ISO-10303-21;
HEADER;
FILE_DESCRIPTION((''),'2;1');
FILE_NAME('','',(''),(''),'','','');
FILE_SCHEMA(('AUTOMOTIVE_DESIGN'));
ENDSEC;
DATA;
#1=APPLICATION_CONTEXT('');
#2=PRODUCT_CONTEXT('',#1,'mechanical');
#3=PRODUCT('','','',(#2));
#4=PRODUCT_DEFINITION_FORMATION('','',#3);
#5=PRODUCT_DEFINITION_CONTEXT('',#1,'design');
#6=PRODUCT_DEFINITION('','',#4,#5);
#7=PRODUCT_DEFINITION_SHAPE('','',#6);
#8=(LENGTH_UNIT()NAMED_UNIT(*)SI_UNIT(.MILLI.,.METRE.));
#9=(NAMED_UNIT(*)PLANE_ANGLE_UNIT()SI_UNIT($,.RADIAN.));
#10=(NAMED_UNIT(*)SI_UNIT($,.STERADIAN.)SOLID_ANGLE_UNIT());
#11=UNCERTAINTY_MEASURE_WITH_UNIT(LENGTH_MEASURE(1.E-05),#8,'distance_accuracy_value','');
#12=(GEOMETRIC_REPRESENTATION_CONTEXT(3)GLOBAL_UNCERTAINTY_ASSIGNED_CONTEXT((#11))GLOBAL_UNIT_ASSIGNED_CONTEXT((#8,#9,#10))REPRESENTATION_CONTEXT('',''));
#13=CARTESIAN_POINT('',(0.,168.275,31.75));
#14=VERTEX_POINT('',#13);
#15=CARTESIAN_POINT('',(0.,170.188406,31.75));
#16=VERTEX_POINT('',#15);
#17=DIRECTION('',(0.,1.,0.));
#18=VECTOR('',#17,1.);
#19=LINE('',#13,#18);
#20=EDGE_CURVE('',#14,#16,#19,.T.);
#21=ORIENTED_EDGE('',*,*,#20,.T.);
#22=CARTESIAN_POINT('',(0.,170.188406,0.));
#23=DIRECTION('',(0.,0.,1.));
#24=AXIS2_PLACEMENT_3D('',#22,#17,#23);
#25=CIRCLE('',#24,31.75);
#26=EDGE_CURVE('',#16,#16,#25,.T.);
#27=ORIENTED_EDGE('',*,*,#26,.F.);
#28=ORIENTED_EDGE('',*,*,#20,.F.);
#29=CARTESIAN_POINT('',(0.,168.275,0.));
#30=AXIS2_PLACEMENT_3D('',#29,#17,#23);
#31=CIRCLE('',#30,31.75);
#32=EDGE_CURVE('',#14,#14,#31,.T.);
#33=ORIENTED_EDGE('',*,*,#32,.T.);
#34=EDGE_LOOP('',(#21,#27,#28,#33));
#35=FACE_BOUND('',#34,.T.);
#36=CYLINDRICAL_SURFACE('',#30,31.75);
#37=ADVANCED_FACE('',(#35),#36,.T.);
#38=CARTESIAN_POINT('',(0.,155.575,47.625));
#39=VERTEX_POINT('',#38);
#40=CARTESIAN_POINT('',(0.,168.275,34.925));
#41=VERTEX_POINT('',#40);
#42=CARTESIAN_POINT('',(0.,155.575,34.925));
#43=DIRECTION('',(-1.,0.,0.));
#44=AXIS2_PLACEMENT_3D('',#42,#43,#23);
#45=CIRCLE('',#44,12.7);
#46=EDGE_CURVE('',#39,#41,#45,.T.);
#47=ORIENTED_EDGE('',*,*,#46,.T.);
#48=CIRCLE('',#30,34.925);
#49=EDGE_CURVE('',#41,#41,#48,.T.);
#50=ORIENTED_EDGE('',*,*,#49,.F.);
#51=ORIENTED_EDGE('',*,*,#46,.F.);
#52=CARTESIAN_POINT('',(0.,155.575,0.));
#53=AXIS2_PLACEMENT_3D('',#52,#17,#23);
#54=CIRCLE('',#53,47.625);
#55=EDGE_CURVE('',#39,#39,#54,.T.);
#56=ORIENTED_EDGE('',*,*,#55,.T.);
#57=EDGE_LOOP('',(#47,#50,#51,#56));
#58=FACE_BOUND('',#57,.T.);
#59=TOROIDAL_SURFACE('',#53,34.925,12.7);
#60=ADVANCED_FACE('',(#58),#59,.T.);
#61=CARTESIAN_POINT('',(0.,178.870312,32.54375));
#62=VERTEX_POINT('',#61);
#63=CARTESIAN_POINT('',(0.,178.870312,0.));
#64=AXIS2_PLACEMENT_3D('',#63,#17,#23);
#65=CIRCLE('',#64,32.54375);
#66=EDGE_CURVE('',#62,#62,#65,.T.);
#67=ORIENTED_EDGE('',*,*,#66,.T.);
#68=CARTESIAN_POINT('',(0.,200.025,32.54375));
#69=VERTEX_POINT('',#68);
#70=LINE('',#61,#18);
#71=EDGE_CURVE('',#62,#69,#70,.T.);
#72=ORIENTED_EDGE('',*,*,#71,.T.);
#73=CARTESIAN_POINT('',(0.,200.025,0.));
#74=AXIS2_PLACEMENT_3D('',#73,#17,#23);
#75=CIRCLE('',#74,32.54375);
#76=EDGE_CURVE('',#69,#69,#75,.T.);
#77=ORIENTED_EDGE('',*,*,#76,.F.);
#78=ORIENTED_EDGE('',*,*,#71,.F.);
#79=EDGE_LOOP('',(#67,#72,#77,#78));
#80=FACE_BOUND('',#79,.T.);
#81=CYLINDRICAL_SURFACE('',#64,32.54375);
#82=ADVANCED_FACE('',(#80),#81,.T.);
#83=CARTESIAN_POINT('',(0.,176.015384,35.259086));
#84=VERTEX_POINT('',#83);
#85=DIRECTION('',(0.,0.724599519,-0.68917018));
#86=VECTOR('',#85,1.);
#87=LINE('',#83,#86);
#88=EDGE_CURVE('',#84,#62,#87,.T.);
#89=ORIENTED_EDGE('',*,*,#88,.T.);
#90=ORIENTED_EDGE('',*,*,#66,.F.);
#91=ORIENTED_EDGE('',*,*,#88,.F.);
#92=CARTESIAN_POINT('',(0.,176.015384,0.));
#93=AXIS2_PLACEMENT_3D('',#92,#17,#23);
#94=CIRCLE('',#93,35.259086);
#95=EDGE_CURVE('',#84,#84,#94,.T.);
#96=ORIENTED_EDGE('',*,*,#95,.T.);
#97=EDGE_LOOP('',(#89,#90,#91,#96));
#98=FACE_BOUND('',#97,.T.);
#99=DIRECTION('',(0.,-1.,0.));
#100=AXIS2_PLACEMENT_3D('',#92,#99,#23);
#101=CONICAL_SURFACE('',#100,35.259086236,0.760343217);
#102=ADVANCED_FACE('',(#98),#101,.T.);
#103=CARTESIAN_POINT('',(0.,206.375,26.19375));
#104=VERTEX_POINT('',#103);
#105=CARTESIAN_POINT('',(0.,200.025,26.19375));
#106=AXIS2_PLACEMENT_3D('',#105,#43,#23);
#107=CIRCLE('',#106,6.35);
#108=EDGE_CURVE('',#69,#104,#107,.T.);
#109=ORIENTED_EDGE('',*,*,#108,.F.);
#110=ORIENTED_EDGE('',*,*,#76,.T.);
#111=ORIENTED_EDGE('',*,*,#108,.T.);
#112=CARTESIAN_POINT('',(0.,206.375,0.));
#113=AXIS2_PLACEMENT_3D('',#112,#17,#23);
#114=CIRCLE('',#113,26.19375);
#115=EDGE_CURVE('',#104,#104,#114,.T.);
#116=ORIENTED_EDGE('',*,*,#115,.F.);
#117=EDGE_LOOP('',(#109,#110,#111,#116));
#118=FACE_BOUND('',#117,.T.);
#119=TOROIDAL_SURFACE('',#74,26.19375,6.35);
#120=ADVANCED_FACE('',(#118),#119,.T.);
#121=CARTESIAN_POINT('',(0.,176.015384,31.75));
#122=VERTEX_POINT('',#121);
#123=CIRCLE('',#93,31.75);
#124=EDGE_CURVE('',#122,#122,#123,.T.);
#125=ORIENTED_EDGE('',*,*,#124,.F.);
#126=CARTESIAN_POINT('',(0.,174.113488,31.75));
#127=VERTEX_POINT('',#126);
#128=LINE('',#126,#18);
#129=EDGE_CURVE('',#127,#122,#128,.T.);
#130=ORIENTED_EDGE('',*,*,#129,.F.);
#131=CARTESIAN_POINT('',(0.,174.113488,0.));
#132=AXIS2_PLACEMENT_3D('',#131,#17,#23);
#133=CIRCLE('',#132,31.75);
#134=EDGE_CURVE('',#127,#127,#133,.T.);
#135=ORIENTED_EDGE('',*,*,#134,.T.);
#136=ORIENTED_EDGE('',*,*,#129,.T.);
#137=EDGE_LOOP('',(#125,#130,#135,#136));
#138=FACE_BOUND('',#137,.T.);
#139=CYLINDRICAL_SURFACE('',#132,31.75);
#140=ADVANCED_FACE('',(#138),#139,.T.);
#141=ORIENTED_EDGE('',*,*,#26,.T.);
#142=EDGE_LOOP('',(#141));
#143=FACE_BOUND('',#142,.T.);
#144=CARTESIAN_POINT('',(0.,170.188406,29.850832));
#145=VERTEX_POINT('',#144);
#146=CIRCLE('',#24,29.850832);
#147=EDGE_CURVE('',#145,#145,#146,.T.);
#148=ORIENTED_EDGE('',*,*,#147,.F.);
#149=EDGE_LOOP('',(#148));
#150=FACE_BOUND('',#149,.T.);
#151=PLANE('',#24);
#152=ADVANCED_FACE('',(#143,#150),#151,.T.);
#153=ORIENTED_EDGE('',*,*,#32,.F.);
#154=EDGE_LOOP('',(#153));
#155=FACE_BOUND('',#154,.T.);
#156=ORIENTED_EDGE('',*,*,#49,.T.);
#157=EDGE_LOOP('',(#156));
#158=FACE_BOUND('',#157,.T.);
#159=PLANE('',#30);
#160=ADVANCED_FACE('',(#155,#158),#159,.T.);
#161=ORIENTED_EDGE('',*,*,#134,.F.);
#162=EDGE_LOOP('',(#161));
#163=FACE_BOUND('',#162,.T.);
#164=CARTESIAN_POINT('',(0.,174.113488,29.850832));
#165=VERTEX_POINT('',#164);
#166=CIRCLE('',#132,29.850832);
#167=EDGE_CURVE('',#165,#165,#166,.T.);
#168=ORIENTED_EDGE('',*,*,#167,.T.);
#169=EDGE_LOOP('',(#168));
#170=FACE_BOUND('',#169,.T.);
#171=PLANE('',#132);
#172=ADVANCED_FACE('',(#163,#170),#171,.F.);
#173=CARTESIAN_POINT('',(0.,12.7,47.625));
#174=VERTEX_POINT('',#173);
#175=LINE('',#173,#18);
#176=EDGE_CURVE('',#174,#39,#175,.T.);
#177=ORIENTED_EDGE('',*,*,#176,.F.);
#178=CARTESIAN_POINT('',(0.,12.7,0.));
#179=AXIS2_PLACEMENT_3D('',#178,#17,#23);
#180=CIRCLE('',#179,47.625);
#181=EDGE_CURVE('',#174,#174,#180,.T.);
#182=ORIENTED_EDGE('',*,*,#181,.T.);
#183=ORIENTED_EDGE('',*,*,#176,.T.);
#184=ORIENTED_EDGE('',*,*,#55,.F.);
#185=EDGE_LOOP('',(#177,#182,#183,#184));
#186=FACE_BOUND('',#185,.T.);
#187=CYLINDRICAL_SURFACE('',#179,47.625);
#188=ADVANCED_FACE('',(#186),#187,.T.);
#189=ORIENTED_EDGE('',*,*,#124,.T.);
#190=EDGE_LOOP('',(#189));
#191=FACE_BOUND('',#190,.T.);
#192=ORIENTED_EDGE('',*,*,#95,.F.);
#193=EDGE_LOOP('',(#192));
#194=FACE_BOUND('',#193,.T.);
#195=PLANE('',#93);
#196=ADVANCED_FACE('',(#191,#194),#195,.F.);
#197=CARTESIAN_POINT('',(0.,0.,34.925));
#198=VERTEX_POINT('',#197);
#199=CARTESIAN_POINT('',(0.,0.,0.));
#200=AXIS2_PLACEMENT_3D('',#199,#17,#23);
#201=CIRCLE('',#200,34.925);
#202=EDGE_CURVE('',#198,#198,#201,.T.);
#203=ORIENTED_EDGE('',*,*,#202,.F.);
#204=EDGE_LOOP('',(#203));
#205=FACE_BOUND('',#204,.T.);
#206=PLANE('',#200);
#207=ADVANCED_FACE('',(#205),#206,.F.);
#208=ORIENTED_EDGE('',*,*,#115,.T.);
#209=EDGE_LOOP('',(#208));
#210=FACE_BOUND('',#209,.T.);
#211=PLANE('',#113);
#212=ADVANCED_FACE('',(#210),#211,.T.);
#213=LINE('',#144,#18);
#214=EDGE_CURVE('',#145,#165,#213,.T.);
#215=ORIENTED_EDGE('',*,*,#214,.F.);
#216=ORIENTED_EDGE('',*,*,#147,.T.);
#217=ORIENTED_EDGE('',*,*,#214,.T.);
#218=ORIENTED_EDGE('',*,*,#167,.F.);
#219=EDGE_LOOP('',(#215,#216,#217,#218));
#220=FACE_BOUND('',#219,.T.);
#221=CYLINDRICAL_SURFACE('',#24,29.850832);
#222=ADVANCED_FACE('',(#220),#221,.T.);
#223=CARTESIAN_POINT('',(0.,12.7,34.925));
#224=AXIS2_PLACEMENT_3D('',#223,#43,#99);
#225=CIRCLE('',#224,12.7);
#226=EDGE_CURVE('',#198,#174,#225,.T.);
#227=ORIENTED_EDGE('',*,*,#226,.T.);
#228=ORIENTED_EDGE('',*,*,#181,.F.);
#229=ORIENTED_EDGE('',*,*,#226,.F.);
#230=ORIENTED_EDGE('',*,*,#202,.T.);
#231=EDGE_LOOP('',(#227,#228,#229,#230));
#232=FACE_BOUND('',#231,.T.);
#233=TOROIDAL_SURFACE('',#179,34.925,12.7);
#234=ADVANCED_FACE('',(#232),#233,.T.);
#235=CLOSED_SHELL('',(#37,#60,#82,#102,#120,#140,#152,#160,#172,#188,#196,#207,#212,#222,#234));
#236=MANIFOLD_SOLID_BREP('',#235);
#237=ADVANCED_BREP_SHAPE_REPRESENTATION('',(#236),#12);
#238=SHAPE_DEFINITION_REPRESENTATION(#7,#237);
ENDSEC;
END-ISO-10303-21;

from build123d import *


with BuildPart() as part:
    # Sketch4 → Revolve1 (revolve)
    with BuildSketch(Plane(origin=(0, 0, 0), x_dir=(0, 0, -1), z_dir=(1, 0, 0))):
        with BuildLine():
            Line((0, 0), (-34.925, 0))
            ThreePointArc((-34.925, 0), (-43.905256121, 3.719743879), (-47.625, 12.7))
            Line((-47.625, 12.7), (-47.625, 155.575))
            ThreePointArc((-47.625, 155.575), (-43.905256121, 164.555256121), (-34.925, 168.275))
            Line((-34.925, 168.275), (-31.75, 168.275))
            Line((-31.75, 168.275), (-31.75, 170.188405715))
            Line((-31.75, 170.188405715), (-29.850831966, 170.188405715))
            Line((-29.850831966, 170.188405715), (-29.850831966, 174.113488189))
            Line((-29.850831966, 174.113488189), (-31.75, 174.113488189))
            Line((-31.75, 174.113488189), (-31.75, 176.015383727))
            Line((-31.75, 176.015383727), (-35.259086236, 176.015383727))
            Line((-35.259086236, 176.015383727), (-32.54375, 178.87031185))
            Line((-32.54375, 178.87031185), (-32.54375, 200.025))
            ThreePointArc((-32.54375, 200.025), (-30.683878061, 204.515128061), (-26.19375, 206.375))
            Line((-26.19375, 206.375), (0, 206.375))
            Line((0, 206.375), (0, 0))
        make_face()
    revolve(axis=Axis((0, -30.534688995, 0), (0, 1, 0)))


solid = part.part
